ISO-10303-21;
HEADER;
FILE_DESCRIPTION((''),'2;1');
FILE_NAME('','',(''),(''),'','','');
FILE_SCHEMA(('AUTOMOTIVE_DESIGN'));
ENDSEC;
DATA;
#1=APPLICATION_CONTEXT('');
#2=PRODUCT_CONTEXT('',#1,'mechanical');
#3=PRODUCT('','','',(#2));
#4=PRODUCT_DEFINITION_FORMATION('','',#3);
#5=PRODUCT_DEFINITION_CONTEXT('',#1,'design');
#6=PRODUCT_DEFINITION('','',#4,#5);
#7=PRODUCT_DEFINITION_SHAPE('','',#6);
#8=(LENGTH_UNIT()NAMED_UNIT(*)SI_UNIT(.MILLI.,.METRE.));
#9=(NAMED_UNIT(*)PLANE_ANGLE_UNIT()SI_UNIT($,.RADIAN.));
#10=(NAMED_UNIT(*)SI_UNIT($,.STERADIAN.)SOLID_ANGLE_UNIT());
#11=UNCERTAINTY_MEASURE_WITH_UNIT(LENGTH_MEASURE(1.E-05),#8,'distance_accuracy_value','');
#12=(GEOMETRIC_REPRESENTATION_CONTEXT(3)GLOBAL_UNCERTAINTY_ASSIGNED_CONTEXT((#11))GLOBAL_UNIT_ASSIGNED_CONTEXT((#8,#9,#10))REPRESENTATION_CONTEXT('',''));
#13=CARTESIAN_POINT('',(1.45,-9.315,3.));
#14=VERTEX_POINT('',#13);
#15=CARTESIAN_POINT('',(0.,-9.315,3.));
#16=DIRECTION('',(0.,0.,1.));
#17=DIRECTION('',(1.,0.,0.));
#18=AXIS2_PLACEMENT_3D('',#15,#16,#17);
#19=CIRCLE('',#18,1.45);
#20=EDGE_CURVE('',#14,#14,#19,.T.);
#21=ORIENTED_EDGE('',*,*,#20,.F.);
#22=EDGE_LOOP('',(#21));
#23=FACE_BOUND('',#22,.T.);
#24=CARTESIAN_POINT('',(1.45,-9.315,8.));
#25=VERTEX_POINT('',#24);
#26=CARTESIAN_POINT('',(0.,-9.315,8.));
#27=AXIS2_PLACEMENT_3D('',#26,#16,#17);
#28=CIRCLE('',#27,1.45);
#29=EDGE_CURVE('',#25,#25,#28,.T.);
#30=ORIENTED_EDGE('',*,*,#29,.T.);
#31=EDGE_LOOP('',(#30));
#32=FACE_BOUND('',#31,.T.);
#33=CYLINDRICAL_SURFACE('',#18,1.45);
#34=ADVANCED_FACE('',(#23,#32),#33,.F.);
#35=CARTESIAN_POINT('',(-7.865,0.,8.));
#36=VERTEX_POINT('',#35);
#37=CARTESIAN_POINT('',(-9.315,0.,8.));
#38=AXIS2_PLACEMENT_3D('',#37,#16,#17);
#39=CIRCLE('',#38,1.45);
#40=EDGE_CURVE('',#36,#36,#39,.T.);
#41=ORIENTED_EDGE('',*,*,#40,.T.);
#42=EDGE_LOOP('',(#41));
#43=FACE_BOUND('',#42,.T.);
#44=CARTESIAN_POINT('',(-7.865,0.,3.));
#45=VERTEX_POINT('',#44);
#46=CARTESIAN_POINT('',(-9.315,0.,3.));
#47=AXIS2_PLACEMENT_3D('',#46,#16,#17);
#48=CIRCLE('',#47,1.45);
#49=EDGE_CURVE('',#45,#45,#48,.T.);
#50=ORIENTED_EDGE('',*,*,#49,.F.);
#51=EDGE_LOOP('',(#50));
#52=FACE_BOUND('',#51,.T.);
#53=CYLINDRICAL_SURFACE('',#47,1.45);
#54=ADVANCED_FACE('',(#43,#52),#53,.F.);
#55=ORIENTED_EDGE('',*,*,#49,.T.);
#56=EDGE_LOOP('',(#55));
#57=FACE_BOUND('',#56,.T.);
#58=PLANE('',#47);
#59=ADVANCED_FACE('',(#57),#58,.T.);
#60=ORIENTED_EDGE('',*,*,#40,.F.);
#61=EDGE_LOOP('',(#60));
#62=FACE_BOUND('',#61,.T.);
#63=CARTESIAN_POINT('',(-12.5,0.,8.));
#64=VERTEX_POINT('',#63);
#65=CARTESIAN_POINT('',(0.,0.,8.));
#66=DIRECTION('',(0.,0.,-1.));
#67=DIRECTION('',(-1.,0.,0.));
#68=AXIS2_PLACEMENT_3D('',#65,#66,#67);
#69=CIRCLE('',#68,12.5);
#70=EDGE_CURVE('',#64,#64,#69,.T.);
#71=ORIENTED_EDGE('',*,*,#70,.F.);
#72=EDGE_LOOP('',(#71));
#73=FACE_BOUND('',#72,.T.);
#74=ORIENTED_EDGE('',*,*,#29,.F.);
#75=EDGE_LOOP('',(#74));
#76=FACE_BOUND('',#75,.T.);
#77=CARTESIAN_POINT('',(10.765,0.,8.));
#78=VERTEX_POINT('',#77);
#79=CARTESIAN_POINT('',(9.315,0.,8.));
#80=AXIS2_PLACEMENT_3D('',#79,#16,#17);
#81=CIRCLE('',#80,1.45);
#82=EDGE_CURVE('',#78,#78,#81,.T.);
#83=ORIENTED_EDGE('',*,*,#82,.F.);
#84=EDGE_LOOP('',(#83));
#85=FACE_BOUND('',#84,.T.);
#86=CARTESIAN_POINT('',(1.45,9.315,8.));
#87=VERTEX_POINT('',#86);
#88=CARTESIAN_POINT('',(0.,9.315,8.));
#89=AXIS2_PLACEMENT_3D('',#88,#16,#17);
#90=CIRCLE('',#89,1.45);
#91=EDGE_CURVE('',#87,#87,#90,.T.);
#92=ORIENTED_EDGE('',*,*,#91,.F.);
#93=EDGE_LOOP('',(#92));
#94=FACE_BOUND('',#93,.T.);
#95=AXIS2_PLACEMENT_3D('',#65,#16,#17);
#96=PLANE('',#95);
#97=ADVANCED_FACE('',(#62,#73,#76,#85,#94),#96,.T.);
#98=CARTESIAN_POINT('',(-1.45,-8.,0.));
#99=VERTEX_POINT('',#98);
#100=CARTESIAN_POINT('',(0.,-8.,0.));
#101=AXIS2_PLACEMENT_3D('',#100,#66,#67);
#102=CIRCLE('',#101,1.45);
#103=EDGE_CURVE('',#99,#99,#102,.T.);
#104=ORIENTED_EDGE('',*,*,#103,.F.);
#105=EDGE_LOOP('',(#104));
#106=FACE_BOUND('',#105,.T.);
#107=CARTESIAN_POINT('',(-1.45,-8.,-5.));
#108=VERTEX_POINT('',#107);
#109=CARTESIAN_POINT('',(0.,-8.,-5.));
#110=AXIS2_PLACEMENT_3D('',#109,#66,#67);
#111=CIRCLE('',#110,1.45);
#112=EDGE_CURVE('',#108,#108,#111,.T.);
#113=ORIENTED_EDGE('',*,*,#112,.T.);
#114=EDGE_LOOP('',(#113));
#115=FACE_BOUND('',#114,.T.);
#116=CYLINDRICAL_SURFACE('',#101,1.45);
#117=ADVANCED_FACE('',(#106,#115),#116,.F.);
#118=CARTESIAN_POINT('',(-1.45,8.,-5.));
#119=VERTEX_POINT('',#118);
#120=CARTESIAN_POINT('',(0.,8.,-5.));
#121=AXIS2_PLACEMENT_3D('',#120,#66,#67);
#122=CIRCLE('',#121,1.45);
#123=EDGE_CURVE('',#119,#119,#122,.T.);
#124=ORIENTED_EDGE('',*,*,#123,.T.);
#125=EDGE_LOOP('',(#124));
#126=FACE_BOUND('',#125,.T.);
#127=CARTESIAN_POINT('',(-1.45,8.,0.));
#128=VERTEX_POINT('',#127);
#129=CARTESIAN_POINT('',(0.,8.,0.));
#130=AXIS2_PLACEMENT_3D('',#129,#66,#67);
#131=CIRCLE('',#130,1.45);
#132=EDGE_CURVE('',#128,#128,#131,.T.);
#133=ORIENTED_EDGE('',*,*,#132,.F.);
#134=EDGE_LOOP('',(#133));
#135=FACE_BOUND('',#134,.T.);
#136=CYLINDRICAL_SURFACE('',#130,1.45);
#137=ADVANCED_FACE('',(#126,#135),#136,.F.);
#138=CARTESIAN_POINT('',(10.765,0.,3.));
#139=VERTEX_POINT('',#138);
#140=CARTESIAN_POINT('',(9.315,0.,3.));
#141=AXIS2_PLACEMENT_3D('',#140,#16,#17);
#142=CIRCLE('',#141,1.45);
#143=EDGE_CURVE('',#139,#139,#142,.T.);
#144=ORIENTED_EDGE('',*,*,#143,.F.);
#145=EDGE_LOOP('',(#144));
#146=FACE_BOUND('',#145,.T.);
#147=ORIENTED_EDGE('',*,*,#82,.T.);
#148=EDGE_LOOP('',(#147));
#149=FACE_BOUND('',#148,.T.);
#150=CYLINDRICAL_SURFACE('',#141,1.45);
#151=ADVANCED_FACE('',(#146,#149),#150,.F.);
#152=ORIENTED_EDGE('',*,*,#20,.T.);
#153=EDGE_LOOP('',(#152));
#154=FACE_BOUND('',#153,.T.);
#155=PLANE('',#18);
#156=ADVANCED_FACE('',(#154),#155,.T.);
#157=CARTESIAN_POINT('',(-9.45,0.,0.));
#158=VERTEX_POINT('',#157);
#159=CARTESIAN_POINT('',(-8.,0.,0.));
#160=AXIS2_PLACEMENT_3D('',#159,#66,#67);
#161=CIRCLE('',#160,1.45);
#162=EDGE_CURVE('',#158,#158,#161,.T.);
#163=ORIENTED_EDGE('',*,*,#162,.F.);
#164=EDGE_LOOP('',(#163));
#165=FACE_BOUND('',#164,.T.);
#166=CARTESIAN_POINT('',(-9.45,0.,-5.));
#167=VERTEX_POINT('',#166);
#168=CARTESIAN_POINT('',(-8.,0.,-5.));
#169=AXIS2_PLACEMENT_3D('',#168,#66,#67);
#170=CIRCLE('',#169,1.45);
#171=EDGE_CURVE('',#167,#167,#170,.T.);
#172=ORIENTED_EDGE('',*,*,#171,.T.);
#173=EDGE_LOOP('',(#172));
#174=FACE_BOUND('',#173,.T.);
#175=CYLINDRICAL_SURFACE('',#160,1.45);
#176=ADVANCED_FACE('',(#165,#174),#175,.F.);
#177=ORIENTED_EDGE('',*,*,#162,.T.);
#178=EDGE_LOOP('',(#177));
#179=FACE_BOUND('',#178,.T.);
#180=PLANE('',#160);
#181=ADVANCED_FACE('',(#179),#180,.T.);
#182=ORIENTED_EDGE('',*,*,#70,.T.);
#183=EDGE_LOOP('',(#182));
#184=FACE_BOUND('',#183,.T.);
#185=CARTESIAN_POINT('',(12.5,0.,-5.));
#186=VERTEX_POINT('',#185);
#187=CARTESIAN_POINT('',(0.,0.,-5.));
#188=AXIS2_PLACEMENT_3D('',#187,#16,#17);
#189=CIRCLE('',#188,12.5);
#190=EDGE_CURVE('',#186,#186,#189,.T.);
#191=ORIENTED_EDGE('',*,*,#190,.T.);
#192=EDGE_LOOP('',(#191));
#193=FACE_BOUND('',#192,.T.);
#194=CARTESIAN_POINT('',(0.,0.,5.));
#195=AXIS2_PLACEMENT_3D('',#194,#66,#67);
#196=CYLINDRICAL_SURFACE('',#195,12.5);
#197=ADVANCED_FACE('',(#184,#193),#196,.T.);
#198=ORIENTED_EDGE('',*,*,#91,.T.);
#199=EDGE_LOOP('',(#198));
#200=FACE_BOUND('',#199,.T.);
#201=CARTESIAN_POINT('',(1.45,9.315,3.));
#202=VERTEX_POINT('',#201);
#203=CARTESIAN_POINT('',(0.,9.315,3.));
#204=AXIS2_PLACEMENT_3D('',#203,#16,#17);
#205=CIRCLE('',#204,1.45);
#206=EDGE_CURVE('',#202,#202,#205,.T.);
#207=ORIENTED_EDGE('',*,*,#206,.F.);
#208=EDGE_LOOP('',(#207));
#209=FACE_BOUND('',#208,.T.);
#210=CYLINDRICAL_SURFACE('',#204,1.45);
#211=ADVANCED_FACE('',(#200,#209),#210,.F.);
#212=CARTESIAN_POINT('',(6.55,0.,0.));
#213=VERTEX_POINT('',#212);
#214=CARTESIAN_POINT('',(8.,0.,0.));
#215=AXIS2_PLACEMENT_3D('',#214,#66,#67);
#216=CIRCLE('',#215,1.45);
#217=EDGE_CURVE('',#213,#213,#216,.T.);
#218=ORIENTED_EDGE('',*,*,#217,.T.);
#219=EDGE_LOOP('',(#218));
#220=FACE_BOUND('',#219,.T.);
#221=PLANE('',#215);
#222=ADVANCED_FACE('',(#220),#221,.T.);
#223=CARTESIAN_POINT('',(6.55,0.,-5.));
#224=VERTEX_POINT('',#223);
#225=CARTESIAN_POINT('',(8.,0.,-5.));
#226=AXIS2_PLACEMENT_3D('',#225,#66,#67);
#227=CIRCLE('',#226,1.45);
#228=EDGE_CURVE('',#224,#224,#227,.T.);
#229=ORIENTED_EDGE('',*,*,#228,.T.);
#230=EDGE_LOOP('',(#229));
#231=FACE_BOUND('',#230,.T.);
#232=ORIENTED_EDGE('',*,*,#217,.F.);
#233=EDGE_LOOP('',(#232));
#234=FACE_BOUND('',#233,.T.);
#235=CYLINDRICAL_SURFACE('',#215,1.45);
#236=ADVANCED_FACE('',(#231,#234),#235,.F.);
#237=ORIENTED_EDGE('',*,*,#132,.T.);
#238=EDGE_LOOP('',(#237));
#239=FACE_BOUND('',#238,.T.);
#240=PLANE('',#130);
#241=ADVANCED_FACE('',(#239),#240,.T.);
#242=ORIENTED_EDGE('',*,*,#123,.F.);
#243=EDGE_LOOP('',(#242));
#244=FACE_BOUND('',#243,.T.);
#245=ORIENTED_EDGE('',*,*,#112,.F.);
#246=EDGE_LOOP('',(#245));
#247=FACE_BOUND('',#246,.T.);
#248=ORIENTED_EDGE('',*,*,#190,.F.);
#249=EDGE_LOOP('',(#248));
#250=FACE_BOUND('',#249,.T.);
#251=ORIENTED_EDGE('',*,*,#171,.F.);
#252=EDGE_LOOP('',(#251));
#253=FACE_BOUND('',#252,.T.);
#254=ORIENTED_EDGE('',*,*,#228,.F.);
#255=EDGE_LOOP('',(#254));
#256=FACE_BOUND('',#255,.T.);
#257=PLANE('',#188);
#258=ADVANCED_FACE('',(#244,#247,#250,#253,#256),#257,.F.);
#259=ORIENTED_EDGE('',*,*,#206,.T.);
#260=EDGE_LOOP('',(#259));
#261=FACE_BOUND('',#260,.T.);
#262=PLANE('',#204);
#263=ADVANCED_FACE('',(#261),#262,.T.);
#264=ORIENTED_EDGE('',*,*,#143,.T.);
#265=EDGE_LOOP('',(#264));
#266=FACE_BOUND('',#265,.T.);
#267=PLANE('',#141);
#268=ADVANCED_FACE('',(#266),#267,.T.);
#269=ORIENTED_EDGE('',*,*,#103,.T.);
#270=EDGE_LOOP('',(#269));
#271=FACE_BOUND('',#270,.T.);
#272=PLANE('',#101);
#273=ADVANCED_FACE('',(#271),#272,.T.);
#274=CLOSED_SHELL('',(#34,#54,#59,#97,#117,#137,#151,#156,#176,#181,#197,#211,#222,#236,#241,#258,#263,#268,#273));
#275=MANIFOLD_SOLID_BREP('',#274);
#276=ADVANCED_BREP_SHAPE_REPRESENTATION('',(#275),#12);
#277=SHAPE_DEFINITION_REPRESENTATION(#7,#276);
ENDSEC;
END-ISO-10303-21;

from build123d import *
from build123d.topology import SkipClean

# Parameters (mm, degrees)
SKETCH1_R           = 12.5
BOSS_EXTRUDE1_DEPTH = 5
SKETCH2_W           = 3
SKETCH2_H           = 12.5
SKETCH5_R           = 1.45
CUT_EXTRUDE1_DEPTH  = 5
SKETCH6_R           = 1.45
CUT_EXTRUDE2_DEPTH  = 5


with BuildPart() as part:
    # Sketch1 → Boss-Extrude1 (new, symmetric)
    with BuildSketch(Plane.XY):
        Circle(SKETCH1_R)
    extrude(amount=BOSS_EXTRUDE1_DEPTH, both=True)

    # Sketch2 → Revolve1 (revolve)
    with SkipClean():  # the faces are left unmerged after this step: merging them gives an invalid solid
        with BuildSketch(Plane(origin=(0, 0, 0), x_dir=(0, 0, -1), z_dir=(1, 0, 0)), mode=Mode.PRIVATE) as revolve1_sk:
            with Locations((-6.5, 6.25)):
                Rectangle(SKETCH2_W, SKETCH2_H)
        revolve(revolve1_sk.sketch.rotate(Axis((0, 0, 0), (0, 0, 1)), 90), axis=Axis((0, 0, 0), (0, 0, 1)))

    # Sketch5 → Cut-Extrude1 (cut)
    with SkipClean():  # the faces are left unmerged after this step: merging them gives an invalid solid
        with BuildSketch(Plane.XY.offset(8)):
            with Locations((0, 9.315)):
                Circle(SKETCH5_R)
            with Locations((9.315, 0)):
                Circle(SKETCH5_R)
            with Locations((0, -9.315)):
                Circle(SKETCH5_R)
            with Locations((-9.315, 0)):
                Circle(SKETCH5_R)
        extrude(amount=-CUT_EXTRUDE1_DEPTH, mode=Mode.SUBTRACT)

    # Sketch6 → Cut-Extrude2 (cut)
    with SkipClean():  # the faces are left unmerged after this step: merging them gives an invalid solid
        with BuildSketch(Plane(origin=(0, 0, -5), x_dir=(-1, 0, 0), z_dir=(0, 0, -1))):
            with Locations((0, 8)):
                Circle(SKETCH6_R)
            with Locations((8, 0)):
                Circle(SKETCH6_R)
            with Locations((0, -8)):
                Circle(SKETCH6_R)
            with Locations((-8, 0)):
                Circle(SKETCH6_R)
        extrude(amount=-CUT_EXTRUDE2_DEPTH, mode=Mode.SUBTRACT)


solid = part.part
